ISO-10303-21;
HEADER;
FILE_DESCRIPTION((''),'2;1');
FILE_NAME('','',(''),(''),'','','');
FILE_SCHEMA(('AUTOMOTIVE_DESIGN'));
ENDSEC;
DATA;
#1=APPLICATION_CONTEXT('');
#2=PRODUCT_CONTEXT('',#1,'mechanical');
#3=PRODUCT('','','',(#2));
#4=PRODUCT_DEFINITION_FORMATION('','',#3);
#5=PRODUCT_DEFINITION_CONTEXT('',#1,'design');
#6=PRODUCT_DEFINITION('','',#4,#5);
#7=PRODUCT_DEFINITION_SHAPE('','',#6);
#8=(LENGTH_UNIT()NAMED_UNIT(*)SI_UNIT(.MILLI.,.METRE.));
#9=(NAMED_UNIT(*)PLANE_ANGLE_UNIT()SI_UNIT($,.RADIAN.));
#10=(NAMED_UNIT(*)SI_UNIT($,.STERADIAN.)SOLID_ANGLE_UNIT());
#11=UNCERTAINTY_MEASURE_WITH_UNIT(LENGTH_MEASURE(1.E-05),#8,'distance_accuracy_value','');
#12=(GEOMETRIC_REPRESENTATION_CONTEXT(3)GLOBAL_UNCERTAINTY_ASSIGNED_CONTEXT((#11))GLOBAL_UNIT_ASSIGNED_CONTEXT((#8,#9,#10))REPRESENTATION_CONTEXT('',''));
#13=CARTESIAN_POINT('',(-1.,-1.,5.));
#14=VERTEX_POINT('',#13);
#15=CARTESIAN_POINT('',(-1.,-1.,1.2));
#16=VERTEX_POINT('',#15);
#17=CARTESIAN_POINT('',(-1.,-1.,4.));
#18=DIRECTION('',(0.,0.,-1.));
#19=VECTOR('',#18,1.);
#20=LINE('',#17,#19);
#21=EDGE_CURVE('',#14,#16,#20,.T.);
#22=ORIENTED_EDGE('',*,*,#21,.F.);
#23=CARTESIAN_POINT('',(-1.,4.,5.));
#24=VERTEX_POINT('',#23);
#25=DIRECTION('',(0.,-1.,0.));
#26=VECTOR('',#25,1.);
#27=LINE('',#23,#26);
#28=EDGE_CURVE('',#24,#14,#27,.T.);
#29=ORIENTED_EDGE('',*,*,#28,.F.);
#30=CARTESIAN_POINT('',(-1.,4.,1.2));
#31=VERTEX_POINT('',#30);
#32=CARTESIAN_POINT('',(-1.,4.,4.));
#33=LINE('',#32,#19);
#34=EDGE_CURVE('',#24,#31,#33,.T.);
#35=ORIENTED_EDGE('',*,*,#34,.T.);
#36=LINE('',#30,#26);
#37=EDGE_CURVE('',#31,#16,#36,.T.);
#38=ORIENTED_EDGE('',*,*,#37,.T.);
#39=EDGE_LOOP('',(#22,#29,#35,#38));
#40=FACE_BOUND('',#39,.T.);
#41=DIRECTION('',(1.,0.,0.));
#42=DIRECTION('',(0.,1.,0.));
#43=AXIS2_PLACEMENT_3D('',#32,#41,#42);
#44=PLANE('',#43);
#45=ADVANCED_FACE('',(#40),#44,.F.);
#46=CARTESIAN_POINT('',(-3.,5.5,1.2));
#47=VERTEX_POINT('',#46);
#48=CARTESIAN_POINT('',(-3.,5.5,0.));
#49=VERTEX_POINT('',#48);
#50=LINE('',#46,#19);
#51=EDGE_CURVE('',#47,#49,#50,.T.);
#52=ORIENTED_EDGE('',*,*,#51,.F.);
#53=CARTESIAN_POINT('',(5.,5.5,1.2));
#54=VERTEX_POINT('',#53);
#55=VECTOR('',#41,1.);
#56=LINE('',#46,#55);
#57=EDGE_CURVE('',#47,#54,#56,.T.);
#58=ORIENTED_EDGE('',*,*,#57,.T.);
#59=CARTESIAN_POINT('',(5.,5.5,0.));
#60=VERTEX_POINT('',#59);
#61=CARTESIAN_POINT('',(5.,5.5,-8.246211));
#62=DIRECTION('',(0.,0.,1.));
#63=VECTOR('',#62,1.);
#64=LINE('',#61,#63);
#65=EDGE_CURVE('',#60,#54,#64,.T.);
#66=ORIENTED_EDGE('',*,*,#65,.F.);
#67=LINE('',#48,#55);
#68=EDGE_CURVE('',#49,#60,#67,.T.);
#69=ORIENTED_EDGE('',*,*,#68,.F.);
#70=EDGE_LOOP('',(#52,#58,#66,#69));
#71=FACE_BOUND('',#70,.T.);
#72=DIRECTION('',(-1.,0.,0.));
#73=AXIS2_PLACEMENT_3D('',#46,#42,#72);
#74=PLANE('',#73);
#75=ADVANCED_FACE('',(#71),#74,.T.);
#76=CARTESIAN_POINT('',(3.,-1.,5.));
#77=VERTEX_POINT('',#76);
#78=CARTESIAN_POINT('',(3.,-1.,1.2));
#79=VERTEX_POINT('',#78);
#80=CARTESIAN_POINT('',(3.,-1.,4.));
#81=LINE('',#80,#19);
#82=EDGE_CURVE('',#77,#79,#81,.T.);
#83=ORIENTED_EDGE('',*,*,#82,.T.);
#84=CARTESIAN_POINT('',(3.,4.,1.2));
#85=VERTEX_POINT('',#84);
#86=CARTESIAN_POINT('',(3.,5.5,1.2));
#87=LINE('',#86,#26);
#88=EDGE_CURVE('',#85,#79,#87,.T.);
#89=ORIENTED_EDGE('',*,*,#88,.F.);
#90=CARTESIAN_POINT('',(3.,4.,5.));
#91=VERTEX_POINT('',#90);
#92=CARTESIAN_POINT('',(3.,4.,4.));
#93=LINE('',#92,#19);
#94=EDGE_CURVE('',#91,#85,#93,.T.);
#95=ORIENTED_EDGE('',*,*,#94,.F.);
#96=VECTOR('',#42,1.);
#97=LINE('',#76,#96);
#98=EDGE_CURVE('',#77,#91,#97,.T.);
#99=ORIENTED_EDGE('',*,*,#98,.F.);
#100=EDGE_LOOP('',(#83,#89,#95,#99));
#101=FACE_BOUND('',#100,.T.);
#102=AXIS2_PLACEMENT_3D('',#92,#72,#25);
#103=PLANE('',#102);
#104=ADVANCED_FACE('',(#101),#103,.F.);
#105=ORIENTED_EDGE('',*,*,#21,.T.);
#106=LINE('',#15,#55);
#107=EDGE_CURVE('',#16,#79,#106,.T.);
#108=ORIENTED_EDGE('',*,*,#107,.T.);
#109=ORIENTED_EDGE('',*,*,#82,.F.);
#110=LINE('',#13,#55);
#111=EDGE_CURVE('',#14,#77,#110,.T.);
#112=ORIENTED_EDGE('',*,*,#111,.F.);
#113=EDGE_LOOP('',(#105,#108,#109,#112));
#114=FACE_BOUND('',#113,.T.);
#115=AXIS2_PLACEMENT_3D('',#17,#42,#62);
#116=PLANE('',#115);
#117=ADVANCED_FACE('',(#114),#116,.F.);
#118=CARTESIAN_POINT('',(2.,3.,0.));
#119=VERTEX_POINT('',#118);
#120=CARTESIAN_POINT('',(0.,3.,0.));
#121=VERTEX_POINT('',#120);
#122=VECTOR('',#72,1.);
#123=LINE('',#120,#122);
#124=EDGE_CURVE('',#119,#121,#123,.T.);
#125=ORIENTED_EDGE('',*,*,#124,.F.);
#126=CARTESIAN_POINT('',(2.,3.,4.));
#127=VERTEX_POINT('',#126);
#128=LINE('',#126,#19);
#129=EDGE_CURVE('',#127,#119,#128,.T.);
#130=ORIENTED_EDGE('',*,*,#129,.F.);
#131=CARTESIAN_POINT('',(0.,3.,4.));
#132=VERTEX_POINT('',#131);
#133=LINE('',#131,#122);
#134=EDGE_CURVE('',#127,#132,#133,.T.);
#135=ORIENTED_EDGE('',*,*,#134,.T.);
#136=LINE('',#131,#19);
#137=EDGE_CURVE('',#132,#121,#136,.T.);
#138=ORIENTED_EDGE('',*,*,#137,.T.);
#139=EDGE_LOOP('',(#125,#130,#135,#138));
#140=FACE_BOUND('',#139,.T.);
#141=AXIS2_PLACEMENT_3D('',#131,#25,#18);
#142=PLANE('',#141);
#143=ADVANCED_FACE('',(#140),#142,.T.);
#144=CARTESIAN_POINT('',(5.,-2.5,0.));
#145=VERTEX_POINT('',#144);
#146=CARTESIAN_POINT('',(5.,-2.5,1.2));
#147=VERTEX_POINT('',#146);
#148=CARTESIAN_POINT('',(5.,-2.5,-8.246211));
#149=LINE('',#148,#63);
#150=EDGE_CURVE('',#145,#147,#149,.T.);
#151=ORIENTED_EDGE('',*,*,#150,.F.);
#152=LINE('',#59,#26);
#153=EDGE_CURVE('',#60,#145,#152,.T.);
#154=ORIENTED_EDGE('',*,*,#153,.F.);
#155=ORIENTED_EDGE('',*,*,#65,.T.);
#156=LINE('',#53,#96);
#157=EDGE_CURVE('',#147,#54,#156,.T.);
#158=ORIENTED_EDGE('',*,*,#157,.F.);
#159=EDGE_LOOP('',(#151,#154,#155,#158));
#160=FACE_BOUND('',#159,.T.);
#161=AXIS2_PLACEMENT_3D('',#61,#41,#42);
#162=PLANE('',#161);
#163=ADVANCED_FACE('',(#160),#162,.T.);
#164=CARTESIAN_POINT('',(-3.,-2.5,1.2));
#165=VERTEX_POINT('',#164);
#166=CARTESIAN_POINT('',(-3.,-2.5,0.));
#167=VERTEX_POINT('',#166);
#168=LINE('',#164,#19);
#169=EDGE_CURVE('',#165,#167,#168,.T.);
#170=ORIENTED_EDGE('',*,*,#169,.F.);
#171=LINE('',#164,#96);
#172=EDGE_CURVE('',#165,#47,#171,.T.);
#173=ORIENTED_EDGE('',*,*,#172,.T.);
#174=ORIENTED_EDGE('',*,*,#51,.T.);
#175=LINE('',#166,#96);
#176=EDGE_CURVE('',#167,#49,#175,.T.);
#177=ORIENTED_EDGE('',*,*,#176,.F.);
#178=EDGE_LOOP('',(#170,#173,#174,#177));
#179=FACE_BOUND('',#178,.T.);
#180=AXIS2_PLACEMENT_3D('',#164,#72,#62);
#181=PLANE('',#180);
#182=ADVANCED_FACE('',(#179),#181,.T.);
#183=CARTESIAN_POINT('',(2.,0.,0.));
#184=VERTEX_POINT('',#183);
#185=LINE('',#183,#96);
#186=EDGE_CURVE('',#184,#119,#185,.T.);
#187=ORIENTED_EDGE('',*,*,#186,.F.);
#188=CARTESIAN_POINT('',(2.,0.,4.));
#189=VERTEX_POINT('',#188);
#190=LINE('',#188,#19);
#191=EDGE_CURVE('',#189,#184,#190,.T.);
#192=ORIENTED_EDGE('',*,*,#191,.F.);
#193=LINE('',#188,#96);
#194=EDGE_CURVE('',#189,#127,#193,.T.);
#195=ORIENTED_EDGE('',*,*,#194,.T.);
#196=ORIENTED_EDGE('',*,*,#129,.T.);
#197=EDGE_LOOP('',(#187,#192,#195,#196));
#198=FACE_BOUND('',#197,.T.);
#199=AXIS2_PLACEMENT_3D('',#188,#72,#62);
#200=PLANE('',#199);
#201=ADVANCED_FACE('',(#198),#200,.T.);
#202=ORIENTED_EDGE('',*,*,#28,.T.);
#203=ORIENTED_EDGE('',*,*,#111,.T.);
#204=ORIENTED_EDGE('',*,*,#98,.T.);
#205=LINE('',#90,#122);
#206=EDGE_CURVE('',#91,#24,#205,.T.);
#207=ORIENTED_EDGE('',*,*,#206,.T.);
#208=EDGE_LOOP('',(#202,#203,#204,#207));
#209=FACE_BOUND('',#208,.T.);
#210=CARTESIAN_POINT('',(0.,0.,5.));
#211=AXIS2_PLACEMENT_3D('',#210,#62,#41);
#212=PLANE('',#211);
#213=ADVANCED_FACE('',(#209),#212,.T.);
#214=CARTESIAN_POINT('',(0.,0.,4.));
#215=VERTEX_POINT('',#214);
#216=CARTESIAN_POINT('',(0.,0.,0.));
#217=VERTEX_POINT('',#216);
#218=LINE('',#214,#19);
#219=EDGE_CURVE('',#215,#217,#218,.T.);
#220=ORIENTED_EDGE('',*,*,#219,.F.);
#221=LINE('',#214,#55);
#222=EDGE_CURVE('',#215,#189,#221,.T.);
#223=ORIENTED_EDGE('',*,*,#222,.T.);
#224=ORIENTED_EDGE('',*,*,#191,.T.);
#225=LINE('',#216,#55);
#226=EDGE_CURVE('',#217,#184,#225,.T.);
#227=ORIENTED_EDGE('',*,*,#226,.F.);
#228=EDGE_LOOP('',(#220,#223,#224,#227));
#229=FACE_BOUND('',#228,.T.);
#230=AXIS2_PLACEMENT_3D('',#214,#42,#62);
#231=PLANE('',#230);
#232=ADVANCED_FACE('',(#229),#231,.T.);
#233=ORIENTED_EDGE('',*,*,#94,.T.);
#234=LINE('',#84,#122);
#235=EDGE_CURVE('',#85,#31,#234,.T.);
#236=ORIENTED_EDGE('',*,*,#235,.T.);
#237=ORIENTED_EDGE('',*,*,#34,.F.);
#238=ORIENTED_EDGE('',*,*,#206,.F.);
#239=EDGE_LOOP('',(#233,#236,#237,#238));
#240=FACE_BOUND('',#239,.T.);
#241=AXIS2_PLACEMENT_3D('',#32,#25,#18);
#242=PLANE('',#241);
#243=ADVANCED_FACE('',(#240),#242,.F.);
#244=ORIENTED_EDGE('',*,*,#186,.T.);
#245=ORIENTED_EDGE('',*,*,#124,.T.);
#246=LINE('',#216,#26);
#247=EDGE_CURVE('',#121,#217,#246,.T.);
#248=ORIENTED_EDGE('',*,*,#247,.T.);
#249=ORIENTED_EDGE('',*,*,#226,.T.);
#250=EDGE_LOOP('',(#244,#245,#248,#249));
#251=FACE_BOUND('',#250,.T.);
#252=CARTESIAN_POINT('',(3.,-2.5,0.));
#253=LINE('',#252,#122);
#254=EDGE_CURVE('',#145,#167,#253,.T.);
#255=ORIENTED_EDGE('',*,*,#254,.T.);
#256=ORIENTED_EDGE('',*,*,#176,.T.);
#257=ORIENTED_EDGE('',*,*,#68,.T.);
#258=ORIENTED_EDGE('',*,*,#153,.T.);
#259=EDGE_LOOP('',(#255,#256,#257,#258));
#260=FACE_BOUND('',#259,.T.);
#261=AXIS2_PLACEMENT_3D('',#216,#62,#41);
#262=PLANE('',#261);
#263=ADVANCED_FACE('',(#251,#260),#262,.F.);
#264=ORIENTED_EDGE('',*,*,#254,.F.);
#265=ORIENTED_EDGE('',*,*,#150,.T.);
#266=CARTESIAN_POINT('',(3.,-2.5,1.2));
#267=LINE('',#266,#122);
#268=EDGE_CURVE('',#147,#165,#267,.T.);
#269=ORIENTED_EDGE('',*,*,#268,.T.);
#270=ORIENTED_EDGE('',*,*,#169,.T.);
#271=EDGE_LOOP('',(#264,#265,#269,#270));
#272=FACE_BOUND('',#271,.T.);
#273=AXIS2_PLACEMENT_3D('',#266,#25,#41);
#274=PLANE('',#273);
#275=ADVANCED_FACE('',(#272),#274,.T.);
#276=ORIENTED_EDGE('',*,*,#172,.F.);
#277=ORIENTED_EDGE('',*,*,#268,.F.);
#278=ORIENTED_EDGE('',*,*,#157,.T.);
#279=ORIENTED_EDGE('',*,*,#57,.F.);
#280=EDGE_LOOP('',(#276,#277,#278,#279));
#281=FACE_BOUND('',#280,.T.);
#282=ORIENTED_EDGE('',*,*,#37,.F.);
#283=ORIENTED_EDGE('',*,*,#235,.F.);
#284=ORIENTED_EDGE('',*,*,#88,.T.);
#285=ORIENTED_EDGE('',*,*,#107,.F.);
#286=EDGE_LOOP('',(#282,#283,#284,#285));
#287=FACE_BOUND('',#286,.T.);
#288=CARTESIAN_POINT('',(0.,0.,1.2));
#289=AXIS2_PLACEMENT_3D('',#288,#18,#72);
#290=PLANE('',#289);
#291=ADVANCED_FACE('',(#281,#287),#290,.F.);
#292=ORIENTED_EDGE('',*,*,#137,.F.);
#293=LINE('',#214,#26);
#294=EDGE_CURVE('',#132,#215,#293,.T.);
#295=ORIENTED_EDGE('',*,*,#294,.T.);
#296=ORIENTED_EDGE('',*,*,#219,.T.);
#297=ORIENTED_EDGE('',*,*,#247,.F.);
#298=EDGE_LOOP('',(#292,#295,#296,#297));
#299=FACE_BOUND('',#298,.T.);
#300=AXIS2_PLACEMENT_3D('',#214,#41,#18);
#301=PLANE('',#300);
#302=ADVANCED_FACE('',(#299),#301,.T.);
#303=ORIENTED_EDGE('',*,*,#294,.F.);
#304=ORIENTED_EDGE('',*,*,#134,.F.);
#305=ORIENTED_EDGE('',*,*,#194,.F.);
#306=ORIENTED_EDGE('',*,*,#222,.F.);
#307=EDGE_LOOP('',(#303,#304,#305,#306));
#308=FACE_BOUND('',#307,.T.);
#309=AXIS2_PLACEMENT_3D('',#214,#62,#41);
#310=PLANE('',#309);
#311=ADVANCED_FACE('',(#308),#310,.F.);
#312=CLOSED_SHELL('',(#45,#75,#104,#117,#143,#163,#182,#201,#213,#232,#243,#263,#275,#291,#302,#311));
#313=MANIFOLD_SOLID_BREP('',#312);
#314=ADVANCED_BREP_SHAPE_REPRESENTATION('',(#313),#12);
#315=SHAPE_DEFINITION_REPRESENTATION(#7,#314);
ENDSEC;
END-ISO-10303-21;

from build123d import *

# Parameters (mm, degrees)
SKETCH_1_W      = 4
SKETCH_1_H      = 5
SKETCH_1_W_2    = 2
SKETCH_1_H_2    = 3
EXTRUDE_1_DEPTH = 4
EXTRUDE_2_DEPTH = 1.2
SKETCH_3_W      = 4
SKETCH_3_H      = 5
EXTRUDE_3_DEPTH = 1
SKETCH_4_W      = 2
SKETCH_4_H      = 8
EXTRUDE_4_DEPTH = 1.2


with BuildPart() as part:
    # 草图1 → 凸台-拉伸1 (new body)
    with BuildSketch(Plane.XY):
        with Locations((1, 1.5)):
            Rectangle(SKETCH_1_W, SKETCH_1_H)
        with Locations((1, 1.5)):
            Rectangle(SKETCH_1_W_2, SKETCH_1_H_2, mode=Mode.SUBTRACT)
    extrude(amount=EXTRUDE_1_DEPTH)

    # 草图2 → 凸台-拉伸2 (add)
    with BuildSketch(Plane(origin=(0, 0, 0), x_dir=(-1, 0, 0), z_dir=(0, 0, -1))):
        Polygon((-3, 4), (1, 4), (1, -1), (-3, -1), (-3, -2.5), (3, -2.5), (3, 5.5), (-3, 5.5), align=None)
    extrude(amount=-EXTRUDE_2_DEPTH)

    # 草图3 → 凸台-拉伸3 (add)
    with BuildSketch(Plane.XY.offset(4)):
        with Locations((1, 1.5)):
            Rectangle(SKETCH_3_W, SKETCH_3_H)
    extrude(amount=EXTRUDE_3_DEPTH)

    # 草图4 → 凸台-拉伸4 (add)
    with BuildSketch(Plane.XY.offset(1.2)):
        with Locations((4, 1.5)):
            Rectangle(SKETCH_4_W, SKETCH_4_H)
    extrude(amount=-EXTRUDE_4_DEPTH)


solid = part.part
